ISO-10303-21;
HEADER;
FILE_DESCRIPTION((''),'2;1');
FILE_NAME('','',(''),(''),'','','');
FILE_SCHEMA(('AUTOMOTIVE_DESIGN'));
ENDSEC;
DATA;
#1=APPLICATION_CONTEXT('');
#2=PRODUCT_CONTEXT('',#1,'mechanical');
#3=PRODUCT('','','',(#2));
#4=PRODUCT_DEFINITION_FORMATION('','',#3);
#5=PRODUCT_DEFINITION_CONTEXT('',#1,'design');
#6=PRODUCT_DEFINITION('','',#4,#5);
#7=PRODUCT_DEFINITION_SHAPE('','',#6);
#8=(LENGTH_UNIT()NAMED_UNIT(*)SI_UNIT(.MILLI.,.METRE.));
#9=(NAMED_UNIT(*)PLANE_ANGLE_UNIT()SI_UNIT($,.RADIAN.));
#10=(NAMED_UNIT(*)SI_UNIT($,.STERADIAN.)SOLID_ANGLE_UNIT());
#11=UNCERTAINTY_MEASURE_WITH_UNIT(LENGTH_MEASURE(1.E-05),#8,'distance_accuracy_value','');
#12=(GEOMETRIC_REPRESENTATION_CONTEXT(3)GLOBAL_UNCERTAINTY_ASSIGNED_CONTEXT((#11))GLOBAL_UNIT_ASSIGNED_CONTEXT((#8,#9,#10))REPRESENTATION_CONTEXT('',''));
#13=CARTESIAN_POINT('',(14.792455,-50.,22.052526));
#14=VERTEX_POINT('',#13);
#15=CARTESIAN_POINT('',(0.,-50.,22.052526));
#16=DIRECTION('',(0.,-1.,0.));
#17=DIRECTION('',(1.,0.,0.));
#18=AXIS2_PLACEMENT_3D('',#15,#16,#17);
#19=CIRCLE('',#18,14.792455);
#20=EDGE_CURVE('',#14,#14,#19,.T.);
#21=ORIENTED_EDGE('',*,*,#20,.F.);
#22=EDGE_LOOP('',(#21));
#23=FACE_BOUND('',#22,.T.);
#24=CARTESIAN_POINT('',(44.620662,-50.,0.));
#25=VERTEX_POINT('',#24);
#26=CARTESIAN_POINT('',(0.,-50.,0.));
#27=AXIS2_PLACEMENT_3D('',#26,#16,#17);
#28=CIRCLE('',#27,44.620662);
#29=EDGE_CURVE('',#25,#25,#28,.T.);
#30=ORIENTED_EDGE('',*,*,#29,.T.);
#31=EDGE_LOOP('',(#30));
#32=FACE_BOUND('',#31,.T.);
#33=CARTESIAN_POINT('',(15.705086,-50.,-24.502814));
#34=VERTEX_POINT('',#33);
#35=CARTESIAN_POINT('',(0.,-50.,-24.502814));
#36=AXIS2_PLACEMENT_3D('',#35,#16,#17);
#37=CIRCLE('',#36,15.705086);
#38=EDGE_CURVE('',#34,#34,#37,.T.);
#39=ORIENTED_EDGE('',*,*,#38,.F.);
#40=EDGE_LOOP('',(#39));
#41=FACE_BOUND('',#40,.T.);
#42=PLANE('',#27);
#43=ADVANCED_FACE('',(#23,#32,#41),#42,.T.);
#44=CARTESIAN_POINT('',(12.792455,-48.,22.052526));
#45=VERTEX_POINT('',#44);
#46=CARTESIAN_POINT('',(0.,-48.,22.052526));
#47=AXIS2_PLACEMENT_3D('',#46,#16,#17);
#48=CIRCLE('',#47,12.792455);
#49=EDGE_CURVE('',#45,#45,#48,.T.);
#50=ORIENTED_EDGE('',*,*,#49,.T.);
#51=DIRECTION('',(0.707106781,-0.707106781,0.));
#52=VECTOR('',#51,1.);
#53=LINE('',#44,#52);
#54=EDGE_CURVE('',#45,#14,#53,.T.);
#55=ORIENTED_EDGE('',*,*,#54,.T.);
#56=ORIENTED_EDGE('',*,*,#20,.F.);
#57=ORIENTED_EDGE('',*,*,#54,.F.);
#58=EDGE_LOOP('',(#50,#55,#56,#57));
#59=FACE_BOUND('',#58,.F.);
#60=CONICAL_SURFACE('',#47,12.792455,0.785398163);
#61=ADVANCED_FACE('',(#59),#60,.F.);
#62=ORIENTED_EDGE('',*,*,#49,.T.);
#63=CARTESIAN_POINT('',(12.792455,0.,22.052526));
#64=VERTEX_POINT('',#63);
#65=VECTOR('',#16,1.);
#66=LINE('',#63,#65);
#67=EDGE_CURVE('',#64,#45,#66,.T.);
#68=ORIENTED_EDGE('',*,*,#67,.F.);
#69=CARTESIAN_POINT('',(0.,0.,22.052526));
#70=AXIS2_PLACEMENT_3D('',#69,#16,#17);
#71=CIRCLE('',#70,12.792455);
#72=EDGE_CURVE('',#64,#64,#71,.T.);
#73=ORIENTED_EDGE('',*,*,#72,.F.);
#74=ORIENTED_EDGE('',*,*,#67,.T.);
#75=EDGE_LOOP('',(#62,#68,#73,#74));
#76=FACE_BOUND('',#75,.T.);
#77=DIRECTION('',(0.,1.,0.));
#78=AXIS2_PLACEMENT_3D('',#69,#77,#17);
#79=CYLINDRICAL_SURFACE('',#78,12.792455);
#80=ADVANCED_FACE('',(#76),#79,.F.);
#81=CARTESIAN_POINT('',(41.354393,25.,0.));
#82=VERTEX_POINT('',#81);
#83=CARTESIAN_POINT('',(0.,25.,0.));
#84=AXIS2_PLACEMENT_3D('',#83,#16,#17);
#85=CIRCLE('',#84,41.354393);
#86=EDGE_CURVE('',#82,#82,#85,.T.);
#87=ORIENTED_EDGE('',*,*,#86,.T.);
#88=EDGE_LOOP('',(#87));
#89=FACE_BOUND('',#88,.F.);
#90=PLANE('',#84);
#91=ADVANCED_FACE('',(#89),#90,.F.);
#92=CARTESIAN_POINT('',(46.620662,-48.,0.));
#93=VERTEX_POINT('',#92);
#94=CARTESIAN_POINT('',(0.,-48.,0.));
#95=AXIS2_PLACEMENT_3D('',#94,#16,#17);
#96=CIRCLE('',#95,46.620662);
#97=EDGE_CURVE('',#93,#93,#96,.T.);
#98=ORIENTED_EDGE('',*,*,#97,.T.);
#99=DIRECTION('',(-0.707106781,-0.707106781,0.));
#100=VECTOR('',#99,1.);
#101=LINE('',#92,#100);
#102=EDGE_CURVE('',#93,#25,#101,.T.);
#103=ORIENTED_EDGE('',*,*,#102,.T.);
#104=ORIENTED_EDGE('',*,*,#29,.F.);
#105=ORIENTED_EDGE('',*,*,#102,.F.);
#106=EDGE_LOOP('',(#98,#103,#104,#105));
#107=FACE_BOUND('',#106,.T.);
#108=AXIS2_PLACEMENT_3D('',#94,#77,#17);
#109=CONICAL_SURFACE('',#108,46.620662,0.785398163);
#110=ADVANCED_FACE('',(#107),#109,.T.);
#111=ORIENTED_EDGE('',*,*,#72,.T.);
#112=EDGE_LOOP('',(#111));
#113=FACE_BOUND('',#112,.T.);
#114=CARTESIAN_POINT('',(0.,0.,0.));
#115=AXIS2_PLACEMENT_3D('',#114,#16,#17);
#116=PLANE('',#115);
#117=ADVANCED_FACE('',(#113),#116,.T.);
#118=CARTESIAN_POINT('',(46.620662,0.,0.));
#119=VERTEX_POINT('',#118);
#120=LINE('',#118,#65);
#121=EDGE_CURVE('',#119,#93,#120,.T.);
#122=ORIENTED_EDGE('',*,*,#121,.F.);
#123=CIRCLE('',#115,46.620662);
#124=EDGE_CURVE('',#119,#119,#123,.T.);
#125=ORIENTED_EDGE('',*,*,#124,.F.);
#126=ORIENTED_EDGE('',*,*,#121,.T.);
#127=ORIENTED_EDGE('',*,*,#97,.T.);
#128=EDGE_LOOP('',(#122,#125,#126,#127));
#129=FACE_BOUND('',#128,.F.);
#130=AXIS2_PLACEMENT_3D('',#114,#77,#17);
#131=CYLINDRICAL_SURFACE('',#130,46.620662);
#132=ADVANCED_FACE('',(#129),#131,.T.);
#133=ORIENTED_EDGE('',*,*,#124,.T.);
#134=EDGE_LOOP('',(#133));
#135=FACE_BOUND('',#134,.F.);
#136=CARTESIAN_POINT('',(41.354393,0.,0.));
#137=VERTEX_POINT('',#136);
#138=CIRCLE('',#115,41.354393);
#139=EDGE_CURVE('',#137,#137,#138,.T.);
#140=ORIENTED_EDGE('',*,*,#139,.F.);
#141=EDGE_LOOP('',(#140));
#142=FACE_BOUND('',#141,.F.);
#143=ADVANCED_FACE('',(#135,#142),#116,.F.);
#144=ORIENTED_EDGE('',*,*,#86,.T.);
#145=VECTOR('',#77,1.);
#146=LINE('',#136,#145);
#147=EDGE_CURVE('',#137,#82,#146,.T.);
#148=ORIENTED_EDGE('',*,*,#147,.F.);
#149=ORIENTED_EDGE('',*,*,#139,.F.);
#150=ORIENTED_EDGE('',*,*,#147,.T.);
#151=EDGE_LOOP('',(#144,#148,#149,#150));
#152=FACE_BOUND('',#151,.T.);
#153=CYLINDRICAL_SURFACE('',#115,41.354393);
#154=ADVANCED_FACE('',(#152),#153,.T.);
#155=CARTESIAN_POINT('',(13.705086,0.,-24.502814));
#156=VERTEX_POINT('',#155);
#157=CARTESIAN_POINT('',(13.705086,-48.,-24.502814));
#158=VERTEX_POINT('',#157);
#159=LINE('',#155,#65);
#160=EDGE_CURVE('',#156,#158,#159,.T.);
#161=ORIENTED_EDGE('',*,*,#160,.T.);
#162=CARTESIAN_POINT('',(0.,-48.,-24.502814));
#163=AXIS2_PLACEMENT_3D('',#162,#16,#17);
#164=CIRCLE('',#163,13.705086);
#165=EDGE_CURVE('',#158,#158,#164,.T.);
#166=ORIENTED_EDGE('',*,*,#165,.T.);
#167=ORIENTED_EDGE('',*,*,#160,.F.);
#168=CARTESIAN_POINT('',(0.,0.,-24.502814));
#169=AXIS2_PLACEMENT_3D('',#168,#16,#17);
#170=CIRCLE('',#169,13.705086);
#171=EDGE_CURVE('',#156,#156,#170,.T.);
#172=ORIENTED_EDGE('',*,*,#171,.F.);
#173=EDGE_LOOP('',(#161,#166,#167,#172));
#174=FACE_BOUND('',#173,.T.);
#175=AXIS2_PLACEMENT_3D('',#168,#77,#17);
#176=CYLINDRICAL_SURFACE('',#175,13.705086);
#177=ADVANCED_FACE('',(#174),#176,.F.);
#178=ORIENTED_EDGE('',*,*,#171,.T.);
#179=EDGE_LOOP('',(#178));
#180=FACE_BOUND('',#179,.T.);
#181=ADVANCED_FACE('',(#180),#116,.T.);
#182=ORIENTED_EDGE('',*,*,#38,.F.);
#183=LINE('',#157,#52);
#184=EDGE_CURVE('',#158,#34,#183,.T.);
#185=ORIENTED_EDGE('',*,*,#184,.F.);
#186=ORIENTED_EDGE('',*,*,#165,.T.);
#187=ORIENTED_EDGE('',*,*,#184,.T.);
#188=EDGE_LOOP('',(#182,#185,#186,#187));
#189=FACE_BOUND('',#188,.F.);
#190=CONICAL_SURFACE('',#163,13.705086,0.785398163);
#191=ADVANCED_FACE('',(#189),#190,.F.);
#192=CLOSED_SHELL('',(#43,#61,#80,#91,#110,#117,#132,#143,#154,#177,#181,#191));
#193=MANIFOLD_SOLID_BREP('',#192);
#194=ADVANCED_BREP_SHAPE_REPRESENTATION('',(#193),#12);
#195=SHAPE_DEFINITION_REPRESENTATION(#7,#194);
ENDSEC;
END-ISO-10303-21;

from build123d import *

# Parameters (mm, degrees)
F0_R     = 46.620662
F0_R_2   = 13.705086
F0_R_3   = 12.792455
F1_DEPTH = 50
F2_SIZE  = 2
F3_R     = 41.354393
F4_DEPTH = 25


with BuildPart() as f1:
    # F0 (on Front) → F1 (new body)
    with BuildSketch(Plane.XZ):
        Circle(F0_R)
        with Locations((0, -24.502814)):
            Circle(F0_R_2, mode=Mode.SUBTRACT)
        with Locations((0, 22.052526)):
            Circle(F0_R_3, mode=Mode.SUBTRACT)
    extrude(amount=F1_DEPTH)

    # F2
    f2_edges = [f1.edges().sort_by_distance(p)[0] for p in [
        (-46.620662, -50, 0),
        (-13.705086, -50, -24.502814),
        (-12.792455, -50, 22.052526),
    ]]
    chamfer(f2_edges, length=F2_SIZE)

    # F3 (on Front) → F4 (join)
    with BuildSketch(Plane.XZ):
        Circle(F3_R)
    extrude(amount=-F4_DEPTH)


solid = f1.part
